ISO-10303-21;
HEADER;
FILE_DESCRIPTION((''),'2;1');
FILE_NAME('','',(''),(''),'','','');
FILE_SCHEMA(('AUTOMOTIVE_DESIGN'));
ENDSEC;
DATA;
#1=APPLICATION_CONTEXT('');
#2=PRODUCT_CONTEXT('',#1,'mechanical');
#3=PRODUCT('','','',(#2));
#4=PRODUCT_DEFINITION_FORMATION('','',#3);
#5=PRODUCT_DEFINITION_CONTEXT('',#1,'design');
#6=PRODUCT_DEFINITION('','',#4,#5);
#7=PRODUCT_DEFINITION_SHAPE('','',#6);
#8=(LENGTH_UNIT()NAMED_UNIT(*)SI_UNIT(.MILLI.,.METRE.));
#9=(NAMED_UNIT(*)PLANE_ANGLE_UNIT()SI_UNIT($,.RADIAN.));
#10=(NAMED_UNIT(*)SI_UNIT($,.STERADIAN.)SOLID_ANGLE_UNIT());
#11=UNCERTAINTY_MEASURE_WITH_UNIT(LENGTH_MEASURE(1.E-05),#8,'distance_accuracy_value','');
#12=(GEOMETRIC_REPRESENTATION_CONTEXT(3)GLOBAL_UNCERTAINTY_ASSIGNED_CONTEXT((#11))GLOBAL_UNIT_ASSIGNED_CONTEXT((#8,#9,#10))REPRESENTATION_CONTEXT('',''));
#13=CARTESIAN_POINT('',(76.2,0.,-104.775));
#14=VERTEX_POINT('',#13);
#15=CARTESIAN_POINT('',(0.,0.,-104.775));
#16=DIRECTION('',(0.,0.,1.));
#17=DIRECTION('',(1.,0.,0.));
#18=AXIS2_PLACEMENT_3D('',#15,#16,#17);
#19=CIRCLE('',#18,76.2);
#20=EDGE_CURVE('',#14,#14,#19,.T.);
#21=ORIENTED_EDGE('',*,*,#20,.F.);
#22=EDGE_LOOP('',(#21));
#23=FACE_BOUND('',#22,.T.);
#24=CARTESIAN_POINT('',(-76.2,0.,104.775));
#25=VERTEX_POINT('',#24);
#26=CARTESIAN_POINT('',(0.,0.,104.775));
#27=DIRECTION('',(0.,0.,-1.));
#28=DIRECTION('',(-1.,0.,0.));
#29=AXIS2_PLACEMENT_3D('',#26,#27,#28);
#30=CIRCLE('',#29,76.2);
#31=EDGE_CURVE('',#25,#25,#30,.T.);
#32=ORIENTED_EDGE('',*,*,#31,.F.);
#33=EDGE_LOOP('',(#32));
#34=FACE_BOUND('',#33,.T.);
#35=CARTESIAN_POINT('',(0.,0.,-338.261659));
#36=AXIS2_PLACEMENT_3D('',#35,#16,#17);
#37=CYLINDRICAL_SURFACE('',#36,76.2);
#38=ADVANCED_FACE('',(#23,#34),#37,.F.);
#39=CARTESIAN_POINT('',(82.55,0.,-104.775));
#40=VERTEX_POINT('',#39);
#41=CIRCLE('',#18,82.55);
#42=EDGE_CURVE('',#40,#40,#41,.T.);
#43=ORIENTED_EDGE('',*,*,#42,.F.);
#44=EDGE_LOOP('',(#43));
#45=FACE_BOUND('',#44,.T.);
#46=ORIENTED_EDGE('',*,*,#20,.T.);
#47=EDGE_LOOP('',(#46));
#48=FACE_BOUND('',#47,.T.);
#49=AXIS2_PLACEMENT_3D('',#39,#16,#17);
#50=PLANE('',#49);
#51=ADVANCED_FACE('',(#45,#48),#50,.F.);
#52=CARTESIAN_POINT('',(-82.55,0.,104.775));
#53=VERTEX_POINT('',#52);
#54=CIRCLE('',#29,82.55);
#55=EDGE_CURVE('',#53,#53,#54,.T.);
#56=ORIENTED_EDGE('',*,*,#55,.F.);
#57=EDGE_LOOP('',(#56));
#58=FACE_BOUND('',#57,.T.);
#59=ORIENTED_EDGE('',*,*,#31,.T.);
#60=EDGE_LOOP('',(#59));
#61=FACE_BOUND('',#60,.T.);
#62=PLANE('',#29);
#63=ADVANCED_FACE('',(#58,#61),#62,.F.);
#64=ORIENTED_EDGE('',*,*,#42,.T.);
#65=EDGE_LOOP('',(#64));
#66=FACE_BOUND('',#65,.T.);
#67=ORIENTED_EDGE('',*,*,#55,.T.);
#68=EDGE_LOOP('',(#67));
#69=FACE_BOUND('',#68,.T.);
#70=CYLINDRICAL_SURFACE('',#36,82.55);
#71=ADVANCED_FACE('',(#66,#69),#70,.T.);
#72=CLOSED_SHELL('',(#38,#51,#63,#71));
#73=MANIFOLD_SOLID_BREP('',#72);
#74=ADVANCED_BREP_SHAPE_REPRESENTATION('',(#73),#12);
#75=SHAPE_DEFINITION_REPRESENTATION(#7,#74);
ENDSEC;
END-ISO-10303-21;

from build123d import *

# Parameters (mm, degrees)
SKETCH2_R           = 82.55
SKETCH2_R_2         = 76.2
BOSS_EXTRUDE1_DEPTH = 209.55


with BuildPart() as part:
    # Sketch2 → Boss-Extrude1 (new body)
    with BuildSketch(Plane(origin=(0, 0, 104.775), x_dir=(-1, 0, 0), z_dir=(0, 0, -1))):
        with Locations(Location((0, 0, 0), (0, 0, 180))):
            Circle(SKETCH2_R)
        with Locations(Location((0, 0, 0), (0, 0, 180))):
            Circle(SKETCH2_R_2, mode=Mode.SUBTRACT)
    extrude(amount=BOSS_EXTRUDE1_DEPTH)


solid = part.part
